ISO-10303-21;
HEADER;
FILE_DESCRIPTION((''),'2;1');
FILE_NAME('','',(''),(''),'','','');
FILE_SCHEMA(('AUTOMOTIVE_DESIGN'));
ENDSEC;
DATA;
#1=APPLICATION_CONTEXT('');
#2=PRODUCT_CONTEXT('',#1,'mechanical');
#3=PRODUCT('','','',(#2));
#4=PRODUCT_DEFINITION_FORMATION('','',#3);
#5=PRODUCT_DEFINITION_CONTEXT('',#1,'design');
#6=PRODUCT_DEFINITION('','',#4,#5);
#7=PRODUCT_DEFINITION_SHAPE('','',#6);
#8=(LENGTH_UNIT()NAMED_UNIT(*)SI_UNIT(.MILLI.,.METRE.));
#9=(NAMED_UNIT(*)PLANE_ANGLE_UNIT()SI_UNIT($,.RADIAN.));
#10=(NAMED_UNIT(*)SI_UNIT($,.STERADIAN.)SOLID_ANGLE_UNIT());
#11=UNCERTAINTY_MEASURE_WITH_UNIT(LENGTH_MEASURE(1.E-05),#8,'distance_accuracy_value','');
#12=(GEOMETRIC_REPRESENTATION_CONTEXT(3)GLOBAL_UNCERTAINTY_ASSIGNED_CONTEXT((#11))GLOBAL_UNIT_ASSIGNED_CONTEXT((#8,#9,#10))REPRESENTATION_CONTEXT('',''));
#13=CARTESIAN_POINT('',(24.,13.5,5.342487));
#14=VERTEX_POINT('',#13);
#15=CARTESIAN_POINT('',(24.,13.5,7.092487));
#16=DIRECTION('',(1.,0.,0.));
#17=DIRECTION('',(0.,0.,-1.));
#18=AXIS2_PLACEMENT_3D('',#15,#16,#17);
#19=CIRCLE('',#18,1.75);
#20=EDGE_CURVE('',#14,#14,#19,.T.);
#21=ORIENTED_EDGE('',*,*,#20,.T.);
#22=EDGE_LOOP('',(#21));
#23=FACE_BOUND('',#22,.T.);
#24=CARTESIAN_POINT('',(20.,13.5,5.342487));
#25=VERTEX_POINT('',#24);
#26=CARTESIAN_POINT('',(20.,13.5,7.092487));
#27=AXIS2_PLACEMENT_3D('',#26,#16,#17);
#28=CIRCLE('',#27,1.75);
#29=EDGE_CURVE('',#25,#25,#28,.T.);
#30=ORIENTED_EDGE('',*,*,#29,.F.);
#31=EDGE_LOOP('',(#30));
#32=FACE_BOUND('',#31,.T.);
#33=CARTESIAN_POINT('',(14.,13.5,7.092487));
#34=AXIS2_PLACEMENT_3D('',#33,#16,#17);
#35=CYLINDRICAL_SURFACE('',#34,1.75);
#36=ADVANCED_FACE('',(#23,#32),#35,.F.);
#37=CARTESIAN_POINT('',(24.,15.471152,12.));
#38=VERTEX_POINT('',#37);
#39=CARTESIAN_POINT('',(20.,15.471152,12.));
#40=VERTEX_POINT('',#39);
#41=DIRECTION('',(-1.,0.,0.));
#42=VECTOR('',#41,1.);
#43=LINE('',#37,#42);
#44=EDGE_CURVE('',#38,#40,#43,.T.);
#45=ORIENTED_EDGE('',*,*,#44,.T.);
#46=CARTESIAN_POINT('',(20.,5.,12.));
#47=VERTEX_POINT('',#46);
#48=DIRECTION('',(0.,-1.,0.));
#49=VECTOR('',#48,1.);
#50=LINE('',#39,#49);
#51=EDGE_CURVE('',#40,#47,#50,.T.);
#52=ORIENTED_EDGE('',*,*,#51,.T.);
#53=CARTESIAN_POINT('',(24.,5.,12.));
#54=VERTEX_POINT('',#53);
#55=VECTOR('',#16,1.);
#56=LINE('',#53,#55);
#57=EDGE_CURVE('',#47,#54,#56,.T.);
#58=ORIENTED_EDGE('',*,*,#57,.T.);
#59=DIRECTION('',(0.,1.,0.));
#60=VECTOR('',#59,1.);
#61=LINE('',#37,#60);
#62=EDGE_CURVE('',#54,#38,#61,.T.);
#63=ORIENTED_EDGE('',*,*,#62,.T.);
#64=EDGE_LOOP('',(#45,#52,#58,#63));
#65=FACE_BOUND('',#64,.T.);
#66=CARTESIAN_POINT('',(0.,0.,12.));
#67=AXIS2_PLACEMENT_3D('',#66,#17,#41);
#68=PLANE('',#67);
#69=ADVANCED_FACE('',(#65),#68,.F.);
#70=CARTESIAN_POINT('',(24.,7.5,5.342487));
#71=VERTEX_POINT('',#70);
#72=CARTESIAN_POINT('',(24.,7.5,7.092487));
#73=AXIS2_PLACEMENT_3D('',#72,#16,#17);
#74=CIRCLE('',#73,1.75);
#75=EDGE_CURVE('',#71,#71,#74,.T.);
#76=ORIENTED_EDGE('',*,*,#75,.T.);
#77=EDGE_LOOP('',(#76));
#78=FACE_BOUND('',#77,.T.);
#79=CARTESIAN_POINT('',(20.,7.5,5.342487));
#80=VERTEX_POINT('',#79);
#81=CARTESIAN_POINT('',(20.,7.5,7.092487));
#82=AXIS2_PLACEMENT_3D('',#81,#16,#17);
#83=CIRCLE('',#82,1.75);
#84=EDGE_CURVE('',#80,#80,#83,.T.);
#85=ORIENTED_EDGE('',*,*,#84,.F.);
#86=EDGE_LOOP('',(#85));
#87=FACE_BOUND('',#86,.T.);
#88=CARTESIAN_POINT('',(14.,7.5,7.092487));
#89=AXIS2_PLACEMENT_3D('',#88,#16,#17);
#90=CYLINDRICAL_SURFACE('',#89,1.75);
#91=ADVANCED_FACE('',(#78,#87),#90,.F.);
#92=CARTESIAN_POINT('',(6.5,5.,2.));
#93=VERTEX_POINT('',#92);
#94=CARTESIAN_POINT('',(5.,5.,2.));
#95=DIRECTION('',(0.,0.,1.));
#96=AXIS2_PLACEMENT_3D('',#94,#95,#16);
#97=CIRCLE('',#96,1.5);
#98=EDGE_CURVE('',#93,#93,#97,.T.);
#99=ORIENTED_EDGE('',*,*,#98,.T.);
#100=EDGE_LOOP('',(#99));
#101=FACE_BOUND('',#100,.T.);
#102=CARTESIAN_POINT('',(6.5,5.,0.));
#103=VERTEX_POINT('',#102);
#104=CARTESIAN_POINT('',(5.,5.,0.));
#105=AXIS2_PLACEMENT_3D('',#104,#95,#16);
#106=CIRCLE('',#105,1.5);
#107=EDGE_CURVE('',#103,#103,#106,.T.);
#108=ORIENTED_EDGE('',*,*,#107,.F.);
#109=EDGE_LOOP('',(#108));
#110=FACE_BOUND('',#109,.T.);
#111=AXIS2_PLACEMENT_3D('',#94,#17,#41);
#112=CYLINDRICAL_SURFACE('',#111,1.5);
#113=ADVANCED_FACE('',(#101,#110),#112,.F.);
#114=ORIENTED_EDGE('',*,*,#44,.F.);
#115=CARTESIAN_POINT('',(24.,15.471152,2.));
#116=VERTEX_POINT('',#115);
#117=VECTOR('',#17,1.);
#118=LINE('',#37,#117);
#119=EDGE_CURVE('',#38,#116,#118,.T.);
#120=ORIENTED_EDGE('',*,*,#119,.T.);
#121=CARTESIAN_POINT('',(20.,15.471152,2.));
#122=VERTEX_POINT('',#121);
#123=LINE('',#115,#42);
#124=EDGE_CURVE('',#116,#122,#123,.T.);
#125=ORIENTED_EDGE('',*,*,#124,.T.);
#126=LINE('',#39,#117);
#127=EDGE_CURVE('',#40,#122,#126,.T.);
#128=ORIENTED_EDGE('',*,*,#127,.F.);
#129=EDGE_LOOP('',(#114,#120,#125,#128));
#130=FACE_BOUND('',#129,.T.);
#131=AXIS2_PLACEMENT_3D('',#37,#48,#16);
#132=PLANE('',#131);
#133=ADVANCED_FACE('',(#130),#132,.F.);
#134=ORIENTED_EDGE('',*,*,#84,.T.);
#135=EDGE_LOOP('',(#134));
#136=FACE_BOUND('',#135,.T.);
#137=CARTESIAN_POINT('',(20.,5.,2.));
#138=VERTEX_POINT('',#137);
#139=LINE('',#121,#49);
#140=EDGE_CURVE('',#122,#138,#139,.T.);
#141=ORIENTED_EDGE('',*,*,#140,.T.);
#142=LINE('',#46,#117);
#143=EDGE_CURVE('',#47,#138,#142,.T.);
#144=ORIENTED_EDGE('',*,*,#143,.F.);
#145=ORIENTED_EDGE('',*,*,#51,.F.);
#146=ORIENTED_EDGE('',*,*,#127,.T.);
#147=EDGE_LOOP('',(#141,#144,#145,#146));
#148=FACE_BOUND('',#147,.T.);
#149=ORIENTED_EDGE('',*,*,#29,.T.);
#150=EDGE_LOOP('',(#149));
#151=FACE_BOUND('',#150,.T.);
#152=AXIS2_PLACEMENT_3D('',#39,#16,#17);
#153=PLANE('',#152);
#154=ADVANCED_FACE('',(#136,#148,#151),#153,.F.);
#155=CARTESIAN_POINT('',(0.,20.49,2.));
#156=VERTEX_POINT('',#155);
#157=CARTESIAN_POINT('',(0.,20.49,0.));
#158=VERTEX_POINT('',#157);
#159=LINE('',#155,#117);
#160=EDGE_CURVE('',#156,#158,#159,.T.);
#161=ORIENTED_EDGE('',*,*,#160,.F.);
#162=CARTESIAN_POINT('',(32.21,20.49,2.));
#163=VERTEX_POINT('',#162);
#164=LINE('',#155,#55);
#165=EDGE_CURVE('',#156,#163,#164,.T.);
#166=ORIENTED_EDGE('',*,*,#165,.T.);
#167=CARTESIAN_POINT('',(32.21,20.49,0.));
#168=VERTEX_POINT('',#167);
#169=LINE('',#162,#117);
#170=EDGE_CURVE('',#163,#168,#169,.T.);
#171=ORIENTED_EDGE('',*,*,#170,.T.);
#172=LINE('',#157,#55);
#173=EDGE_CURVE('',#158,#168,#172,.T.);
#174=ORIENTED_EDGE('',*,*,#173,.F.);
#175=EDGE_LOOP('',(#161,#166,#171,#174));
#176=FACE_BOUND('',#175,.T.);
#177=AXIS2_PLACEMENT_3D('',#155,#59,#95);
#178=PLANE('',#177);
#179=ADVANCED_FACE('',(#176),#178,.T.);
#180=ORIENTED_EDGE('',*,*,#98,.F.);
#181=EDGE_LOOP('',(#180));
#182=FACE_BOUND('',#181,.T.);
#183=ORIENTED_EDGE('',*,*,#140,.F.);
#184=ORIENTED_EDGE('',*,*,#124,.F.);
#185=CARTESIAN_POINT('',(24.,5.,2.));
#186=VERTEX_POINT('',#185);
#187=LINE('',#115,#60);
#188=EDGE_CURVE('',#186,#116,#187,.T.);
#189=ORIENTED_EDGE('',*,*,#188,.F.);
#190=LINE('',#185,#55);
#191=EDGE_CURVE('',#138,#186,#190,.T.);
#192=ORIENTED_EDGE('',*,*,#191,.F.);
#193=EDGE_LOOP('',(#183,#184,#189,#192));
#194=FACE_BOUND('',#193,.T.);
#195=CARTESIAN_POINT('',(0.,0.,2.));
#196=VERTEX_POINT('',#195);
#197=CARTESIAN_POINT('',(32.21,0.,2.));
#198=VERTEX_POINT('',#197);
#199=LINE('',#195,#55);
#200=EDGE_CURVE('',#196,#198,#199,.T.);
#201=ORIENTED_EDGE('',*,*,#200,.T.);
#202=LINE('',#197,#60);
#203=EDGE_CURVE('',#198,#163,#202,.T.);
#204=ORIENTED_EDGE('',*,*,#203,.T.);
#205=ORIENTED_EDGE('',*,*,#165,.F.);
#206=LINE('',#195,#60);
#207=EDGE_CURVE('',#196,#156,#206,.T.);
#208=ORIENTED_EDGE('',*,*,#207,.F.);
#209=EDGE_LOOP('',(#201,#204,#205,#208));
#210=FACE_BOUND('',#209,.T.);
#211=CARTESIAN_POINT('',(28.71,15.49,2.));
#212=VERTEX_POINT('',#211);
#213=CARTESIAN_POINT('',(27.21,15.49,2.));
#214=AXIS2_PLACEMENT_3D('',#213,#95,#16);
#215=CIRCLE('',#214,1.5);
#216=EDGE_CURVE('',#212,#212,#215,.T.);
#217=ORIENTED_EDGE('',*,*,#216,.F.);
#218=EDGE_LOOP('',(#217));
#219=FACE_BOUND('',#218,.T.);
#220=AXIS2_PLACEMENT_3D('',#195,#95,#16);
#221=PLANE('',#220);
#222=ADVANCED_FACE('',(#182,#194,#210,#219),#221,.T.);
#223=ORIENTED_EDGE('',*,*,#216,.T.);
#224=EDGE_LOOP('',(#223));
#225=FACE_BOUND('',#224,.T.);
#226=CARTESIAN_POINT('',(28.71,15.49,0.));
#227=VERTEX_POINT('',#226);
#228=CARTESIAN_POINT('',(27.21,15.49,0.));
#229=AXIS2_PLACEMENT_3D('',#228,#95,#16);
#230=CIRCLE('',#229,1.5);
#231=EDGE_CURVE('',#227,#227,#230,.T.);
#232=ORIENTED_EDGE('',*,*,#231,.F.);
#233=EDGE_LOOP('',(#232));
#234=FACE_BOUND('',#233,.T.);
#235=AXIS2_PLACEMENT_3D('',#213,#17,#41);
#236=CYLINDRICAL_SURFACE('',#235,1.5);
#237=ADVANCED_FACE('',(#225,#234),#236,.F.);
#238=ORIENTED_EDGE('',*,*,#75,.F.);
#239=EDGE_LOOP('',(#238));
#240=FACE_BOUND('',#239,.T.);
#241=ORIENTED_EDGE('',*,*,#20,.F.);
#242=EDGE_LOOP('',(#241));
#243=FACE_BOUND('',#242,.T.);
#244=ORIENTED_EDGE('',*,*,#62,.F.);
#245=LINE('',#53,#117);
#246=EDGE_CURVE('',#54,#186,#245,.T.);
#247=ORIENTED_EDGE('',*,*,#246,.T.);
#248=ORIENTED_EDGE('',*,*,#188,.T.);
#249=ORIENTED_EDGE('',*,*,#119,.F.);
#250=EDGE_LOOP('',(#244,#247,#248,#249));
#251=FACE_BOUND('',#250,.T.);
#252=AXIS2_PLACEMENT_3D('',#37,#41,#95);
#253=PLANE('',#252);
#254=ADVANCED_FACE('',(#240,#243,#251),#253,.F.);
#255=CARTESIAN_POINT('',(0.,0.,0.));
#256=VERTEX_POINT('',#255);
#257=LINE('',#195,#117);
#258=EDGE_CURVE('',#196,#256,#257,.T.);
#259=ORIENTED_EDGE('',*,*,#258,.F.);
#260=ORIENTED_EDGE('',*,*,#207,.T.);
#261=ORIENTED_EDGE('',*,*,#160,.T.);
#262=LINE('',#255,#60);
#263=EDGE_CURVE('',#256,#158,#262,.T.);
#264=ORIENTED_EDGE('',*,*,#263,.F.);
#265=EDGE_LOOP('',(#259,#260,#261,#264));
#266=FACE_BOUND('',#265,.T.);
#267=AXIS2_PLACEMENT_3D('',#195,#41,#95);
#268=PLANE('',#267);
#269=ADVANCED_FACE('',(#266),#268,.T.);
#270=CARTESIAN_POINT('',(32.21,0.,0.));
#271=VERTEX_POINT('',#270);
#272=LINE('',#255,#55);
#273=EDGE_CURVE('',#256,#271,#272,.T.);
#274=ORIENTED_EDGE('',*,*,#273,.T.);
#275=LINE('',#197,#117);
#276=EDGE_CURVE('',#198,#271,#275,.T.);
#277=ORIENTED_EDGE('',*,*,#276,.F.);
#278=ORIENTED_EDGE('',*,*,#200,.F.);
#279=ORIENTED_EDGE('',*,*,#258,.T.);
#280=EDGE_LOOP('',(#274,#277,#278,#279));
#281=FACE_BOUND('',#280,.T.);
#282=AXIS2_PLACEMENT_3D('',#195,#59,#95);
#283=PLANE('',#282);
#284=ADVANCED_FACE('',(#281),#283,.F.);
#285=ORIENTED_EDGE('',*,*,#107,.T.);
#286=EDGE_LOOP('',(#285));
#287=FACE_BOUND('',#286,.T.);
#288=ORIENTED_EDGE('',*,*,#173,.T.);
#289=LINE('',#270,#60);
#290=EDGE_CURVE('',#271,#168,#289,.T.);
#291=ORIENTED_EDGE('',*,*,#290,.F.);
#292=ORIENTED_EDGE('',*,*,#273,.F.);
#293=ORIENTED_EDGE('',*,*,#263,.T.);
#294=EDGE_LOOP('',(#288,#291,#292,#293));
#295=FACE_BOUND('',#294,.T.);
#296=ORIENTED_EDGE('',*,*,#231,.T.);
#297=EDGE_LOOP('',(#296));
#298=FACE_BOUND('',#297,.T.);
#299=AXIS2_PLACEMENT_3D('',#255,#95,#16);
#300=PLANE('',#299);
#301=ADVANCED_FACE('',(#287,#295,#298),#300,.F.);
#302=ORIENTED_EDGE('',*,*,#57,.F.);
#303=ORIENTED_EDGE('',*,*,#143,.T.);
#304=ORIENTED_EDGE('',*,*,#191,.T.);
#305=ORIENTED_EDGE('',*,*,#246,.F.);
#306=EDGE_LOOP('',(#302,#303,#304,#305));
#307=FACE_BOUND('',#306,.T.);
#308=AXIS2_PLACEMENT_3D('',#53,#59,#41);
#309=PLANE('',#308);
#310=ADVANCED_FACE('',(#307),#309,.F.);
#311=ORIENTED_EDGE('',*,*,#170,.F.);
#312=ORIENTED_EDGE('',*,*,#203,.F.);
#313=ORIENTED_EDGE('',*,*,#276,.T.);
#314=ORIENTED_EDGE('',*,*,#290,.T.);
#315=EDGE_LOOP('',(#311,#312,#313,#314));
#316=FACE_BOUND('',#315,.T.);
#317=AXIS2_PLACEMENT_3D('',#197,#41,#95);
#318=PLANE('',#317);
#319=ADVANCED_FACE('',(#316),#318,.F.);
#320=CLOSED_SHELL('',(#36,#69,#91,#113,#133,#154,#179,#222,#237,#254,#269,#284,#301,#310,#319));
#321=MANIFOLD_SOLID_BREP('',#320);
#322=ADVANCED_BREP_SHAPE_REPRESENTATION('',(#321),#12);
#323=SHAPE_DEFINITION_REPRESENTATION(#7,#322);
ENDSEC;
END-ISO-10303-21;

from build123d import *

# Parameters (mm, degrees)
ESQUISSE1_W             = 32.21
ESQUISSE1_H             = 20.49
ESQUISSE1_R             = 1.5
BOSS_EXTRU_1_DEPTH      = 2
ESQUISSE2_W             = 4
ESQUISSE2_H             = 10.471151719
BOSS_EXTRU_2_DEPTH      = 10
ESQUISSE3_R             = 1.75
ENL_V_MAT_EXTRU_1_DEPTH = 10


with BuildPart() as part:
    # Esquisse1 → Boss.-Extru.1 (new body)
    with BuildSketch(Plane.XY):
        with Locations((16.105, 10.245)):
            Rectangle(ESQUISSE1_W, ESQUISSE1_H)
        with Locations((27.21, 15.49)):
            Circle(ESQUISSE1_R, mode=Mode.SUBTRACT)
        with Locations((5, 5)):
            Circle(ESQUISSE1_R, mode=Mode.SUBTRACT)
    extrude(amount=BOSS_EXTRU_1_DEPTH)

    # Esquisse2 → Boss.-Extru.2 (add)
    with BuildSketch(Plane.XY.offset(2)):
        with Locations((22, 10.23557586)):
            Rectangle(ESQUISSE2_W, ESQUISSE2_H)
    extrude(amount=BOSS_EXTRU_2_DEPTH)

    # Esquisse3 → Enlèv. mat.-Extru.1 (cut)
    with BuildSketch(Plane(origin=(24, 0, 0), x_dir=(0, 0, -1), z_dir=(1, 0, 0))):
        with Locations((-7.092486799, 13.5)):
            Circle(ESQUISSE3_R)
        with Locations((-7.092486799, 7.5)):
            Circle(ESQUISSE3_R)
    extrude(amount=-ENL_V_MAT_EXTRU_1_DEPTH, mode=Mode.SUBTRACT)


solid = part.part
